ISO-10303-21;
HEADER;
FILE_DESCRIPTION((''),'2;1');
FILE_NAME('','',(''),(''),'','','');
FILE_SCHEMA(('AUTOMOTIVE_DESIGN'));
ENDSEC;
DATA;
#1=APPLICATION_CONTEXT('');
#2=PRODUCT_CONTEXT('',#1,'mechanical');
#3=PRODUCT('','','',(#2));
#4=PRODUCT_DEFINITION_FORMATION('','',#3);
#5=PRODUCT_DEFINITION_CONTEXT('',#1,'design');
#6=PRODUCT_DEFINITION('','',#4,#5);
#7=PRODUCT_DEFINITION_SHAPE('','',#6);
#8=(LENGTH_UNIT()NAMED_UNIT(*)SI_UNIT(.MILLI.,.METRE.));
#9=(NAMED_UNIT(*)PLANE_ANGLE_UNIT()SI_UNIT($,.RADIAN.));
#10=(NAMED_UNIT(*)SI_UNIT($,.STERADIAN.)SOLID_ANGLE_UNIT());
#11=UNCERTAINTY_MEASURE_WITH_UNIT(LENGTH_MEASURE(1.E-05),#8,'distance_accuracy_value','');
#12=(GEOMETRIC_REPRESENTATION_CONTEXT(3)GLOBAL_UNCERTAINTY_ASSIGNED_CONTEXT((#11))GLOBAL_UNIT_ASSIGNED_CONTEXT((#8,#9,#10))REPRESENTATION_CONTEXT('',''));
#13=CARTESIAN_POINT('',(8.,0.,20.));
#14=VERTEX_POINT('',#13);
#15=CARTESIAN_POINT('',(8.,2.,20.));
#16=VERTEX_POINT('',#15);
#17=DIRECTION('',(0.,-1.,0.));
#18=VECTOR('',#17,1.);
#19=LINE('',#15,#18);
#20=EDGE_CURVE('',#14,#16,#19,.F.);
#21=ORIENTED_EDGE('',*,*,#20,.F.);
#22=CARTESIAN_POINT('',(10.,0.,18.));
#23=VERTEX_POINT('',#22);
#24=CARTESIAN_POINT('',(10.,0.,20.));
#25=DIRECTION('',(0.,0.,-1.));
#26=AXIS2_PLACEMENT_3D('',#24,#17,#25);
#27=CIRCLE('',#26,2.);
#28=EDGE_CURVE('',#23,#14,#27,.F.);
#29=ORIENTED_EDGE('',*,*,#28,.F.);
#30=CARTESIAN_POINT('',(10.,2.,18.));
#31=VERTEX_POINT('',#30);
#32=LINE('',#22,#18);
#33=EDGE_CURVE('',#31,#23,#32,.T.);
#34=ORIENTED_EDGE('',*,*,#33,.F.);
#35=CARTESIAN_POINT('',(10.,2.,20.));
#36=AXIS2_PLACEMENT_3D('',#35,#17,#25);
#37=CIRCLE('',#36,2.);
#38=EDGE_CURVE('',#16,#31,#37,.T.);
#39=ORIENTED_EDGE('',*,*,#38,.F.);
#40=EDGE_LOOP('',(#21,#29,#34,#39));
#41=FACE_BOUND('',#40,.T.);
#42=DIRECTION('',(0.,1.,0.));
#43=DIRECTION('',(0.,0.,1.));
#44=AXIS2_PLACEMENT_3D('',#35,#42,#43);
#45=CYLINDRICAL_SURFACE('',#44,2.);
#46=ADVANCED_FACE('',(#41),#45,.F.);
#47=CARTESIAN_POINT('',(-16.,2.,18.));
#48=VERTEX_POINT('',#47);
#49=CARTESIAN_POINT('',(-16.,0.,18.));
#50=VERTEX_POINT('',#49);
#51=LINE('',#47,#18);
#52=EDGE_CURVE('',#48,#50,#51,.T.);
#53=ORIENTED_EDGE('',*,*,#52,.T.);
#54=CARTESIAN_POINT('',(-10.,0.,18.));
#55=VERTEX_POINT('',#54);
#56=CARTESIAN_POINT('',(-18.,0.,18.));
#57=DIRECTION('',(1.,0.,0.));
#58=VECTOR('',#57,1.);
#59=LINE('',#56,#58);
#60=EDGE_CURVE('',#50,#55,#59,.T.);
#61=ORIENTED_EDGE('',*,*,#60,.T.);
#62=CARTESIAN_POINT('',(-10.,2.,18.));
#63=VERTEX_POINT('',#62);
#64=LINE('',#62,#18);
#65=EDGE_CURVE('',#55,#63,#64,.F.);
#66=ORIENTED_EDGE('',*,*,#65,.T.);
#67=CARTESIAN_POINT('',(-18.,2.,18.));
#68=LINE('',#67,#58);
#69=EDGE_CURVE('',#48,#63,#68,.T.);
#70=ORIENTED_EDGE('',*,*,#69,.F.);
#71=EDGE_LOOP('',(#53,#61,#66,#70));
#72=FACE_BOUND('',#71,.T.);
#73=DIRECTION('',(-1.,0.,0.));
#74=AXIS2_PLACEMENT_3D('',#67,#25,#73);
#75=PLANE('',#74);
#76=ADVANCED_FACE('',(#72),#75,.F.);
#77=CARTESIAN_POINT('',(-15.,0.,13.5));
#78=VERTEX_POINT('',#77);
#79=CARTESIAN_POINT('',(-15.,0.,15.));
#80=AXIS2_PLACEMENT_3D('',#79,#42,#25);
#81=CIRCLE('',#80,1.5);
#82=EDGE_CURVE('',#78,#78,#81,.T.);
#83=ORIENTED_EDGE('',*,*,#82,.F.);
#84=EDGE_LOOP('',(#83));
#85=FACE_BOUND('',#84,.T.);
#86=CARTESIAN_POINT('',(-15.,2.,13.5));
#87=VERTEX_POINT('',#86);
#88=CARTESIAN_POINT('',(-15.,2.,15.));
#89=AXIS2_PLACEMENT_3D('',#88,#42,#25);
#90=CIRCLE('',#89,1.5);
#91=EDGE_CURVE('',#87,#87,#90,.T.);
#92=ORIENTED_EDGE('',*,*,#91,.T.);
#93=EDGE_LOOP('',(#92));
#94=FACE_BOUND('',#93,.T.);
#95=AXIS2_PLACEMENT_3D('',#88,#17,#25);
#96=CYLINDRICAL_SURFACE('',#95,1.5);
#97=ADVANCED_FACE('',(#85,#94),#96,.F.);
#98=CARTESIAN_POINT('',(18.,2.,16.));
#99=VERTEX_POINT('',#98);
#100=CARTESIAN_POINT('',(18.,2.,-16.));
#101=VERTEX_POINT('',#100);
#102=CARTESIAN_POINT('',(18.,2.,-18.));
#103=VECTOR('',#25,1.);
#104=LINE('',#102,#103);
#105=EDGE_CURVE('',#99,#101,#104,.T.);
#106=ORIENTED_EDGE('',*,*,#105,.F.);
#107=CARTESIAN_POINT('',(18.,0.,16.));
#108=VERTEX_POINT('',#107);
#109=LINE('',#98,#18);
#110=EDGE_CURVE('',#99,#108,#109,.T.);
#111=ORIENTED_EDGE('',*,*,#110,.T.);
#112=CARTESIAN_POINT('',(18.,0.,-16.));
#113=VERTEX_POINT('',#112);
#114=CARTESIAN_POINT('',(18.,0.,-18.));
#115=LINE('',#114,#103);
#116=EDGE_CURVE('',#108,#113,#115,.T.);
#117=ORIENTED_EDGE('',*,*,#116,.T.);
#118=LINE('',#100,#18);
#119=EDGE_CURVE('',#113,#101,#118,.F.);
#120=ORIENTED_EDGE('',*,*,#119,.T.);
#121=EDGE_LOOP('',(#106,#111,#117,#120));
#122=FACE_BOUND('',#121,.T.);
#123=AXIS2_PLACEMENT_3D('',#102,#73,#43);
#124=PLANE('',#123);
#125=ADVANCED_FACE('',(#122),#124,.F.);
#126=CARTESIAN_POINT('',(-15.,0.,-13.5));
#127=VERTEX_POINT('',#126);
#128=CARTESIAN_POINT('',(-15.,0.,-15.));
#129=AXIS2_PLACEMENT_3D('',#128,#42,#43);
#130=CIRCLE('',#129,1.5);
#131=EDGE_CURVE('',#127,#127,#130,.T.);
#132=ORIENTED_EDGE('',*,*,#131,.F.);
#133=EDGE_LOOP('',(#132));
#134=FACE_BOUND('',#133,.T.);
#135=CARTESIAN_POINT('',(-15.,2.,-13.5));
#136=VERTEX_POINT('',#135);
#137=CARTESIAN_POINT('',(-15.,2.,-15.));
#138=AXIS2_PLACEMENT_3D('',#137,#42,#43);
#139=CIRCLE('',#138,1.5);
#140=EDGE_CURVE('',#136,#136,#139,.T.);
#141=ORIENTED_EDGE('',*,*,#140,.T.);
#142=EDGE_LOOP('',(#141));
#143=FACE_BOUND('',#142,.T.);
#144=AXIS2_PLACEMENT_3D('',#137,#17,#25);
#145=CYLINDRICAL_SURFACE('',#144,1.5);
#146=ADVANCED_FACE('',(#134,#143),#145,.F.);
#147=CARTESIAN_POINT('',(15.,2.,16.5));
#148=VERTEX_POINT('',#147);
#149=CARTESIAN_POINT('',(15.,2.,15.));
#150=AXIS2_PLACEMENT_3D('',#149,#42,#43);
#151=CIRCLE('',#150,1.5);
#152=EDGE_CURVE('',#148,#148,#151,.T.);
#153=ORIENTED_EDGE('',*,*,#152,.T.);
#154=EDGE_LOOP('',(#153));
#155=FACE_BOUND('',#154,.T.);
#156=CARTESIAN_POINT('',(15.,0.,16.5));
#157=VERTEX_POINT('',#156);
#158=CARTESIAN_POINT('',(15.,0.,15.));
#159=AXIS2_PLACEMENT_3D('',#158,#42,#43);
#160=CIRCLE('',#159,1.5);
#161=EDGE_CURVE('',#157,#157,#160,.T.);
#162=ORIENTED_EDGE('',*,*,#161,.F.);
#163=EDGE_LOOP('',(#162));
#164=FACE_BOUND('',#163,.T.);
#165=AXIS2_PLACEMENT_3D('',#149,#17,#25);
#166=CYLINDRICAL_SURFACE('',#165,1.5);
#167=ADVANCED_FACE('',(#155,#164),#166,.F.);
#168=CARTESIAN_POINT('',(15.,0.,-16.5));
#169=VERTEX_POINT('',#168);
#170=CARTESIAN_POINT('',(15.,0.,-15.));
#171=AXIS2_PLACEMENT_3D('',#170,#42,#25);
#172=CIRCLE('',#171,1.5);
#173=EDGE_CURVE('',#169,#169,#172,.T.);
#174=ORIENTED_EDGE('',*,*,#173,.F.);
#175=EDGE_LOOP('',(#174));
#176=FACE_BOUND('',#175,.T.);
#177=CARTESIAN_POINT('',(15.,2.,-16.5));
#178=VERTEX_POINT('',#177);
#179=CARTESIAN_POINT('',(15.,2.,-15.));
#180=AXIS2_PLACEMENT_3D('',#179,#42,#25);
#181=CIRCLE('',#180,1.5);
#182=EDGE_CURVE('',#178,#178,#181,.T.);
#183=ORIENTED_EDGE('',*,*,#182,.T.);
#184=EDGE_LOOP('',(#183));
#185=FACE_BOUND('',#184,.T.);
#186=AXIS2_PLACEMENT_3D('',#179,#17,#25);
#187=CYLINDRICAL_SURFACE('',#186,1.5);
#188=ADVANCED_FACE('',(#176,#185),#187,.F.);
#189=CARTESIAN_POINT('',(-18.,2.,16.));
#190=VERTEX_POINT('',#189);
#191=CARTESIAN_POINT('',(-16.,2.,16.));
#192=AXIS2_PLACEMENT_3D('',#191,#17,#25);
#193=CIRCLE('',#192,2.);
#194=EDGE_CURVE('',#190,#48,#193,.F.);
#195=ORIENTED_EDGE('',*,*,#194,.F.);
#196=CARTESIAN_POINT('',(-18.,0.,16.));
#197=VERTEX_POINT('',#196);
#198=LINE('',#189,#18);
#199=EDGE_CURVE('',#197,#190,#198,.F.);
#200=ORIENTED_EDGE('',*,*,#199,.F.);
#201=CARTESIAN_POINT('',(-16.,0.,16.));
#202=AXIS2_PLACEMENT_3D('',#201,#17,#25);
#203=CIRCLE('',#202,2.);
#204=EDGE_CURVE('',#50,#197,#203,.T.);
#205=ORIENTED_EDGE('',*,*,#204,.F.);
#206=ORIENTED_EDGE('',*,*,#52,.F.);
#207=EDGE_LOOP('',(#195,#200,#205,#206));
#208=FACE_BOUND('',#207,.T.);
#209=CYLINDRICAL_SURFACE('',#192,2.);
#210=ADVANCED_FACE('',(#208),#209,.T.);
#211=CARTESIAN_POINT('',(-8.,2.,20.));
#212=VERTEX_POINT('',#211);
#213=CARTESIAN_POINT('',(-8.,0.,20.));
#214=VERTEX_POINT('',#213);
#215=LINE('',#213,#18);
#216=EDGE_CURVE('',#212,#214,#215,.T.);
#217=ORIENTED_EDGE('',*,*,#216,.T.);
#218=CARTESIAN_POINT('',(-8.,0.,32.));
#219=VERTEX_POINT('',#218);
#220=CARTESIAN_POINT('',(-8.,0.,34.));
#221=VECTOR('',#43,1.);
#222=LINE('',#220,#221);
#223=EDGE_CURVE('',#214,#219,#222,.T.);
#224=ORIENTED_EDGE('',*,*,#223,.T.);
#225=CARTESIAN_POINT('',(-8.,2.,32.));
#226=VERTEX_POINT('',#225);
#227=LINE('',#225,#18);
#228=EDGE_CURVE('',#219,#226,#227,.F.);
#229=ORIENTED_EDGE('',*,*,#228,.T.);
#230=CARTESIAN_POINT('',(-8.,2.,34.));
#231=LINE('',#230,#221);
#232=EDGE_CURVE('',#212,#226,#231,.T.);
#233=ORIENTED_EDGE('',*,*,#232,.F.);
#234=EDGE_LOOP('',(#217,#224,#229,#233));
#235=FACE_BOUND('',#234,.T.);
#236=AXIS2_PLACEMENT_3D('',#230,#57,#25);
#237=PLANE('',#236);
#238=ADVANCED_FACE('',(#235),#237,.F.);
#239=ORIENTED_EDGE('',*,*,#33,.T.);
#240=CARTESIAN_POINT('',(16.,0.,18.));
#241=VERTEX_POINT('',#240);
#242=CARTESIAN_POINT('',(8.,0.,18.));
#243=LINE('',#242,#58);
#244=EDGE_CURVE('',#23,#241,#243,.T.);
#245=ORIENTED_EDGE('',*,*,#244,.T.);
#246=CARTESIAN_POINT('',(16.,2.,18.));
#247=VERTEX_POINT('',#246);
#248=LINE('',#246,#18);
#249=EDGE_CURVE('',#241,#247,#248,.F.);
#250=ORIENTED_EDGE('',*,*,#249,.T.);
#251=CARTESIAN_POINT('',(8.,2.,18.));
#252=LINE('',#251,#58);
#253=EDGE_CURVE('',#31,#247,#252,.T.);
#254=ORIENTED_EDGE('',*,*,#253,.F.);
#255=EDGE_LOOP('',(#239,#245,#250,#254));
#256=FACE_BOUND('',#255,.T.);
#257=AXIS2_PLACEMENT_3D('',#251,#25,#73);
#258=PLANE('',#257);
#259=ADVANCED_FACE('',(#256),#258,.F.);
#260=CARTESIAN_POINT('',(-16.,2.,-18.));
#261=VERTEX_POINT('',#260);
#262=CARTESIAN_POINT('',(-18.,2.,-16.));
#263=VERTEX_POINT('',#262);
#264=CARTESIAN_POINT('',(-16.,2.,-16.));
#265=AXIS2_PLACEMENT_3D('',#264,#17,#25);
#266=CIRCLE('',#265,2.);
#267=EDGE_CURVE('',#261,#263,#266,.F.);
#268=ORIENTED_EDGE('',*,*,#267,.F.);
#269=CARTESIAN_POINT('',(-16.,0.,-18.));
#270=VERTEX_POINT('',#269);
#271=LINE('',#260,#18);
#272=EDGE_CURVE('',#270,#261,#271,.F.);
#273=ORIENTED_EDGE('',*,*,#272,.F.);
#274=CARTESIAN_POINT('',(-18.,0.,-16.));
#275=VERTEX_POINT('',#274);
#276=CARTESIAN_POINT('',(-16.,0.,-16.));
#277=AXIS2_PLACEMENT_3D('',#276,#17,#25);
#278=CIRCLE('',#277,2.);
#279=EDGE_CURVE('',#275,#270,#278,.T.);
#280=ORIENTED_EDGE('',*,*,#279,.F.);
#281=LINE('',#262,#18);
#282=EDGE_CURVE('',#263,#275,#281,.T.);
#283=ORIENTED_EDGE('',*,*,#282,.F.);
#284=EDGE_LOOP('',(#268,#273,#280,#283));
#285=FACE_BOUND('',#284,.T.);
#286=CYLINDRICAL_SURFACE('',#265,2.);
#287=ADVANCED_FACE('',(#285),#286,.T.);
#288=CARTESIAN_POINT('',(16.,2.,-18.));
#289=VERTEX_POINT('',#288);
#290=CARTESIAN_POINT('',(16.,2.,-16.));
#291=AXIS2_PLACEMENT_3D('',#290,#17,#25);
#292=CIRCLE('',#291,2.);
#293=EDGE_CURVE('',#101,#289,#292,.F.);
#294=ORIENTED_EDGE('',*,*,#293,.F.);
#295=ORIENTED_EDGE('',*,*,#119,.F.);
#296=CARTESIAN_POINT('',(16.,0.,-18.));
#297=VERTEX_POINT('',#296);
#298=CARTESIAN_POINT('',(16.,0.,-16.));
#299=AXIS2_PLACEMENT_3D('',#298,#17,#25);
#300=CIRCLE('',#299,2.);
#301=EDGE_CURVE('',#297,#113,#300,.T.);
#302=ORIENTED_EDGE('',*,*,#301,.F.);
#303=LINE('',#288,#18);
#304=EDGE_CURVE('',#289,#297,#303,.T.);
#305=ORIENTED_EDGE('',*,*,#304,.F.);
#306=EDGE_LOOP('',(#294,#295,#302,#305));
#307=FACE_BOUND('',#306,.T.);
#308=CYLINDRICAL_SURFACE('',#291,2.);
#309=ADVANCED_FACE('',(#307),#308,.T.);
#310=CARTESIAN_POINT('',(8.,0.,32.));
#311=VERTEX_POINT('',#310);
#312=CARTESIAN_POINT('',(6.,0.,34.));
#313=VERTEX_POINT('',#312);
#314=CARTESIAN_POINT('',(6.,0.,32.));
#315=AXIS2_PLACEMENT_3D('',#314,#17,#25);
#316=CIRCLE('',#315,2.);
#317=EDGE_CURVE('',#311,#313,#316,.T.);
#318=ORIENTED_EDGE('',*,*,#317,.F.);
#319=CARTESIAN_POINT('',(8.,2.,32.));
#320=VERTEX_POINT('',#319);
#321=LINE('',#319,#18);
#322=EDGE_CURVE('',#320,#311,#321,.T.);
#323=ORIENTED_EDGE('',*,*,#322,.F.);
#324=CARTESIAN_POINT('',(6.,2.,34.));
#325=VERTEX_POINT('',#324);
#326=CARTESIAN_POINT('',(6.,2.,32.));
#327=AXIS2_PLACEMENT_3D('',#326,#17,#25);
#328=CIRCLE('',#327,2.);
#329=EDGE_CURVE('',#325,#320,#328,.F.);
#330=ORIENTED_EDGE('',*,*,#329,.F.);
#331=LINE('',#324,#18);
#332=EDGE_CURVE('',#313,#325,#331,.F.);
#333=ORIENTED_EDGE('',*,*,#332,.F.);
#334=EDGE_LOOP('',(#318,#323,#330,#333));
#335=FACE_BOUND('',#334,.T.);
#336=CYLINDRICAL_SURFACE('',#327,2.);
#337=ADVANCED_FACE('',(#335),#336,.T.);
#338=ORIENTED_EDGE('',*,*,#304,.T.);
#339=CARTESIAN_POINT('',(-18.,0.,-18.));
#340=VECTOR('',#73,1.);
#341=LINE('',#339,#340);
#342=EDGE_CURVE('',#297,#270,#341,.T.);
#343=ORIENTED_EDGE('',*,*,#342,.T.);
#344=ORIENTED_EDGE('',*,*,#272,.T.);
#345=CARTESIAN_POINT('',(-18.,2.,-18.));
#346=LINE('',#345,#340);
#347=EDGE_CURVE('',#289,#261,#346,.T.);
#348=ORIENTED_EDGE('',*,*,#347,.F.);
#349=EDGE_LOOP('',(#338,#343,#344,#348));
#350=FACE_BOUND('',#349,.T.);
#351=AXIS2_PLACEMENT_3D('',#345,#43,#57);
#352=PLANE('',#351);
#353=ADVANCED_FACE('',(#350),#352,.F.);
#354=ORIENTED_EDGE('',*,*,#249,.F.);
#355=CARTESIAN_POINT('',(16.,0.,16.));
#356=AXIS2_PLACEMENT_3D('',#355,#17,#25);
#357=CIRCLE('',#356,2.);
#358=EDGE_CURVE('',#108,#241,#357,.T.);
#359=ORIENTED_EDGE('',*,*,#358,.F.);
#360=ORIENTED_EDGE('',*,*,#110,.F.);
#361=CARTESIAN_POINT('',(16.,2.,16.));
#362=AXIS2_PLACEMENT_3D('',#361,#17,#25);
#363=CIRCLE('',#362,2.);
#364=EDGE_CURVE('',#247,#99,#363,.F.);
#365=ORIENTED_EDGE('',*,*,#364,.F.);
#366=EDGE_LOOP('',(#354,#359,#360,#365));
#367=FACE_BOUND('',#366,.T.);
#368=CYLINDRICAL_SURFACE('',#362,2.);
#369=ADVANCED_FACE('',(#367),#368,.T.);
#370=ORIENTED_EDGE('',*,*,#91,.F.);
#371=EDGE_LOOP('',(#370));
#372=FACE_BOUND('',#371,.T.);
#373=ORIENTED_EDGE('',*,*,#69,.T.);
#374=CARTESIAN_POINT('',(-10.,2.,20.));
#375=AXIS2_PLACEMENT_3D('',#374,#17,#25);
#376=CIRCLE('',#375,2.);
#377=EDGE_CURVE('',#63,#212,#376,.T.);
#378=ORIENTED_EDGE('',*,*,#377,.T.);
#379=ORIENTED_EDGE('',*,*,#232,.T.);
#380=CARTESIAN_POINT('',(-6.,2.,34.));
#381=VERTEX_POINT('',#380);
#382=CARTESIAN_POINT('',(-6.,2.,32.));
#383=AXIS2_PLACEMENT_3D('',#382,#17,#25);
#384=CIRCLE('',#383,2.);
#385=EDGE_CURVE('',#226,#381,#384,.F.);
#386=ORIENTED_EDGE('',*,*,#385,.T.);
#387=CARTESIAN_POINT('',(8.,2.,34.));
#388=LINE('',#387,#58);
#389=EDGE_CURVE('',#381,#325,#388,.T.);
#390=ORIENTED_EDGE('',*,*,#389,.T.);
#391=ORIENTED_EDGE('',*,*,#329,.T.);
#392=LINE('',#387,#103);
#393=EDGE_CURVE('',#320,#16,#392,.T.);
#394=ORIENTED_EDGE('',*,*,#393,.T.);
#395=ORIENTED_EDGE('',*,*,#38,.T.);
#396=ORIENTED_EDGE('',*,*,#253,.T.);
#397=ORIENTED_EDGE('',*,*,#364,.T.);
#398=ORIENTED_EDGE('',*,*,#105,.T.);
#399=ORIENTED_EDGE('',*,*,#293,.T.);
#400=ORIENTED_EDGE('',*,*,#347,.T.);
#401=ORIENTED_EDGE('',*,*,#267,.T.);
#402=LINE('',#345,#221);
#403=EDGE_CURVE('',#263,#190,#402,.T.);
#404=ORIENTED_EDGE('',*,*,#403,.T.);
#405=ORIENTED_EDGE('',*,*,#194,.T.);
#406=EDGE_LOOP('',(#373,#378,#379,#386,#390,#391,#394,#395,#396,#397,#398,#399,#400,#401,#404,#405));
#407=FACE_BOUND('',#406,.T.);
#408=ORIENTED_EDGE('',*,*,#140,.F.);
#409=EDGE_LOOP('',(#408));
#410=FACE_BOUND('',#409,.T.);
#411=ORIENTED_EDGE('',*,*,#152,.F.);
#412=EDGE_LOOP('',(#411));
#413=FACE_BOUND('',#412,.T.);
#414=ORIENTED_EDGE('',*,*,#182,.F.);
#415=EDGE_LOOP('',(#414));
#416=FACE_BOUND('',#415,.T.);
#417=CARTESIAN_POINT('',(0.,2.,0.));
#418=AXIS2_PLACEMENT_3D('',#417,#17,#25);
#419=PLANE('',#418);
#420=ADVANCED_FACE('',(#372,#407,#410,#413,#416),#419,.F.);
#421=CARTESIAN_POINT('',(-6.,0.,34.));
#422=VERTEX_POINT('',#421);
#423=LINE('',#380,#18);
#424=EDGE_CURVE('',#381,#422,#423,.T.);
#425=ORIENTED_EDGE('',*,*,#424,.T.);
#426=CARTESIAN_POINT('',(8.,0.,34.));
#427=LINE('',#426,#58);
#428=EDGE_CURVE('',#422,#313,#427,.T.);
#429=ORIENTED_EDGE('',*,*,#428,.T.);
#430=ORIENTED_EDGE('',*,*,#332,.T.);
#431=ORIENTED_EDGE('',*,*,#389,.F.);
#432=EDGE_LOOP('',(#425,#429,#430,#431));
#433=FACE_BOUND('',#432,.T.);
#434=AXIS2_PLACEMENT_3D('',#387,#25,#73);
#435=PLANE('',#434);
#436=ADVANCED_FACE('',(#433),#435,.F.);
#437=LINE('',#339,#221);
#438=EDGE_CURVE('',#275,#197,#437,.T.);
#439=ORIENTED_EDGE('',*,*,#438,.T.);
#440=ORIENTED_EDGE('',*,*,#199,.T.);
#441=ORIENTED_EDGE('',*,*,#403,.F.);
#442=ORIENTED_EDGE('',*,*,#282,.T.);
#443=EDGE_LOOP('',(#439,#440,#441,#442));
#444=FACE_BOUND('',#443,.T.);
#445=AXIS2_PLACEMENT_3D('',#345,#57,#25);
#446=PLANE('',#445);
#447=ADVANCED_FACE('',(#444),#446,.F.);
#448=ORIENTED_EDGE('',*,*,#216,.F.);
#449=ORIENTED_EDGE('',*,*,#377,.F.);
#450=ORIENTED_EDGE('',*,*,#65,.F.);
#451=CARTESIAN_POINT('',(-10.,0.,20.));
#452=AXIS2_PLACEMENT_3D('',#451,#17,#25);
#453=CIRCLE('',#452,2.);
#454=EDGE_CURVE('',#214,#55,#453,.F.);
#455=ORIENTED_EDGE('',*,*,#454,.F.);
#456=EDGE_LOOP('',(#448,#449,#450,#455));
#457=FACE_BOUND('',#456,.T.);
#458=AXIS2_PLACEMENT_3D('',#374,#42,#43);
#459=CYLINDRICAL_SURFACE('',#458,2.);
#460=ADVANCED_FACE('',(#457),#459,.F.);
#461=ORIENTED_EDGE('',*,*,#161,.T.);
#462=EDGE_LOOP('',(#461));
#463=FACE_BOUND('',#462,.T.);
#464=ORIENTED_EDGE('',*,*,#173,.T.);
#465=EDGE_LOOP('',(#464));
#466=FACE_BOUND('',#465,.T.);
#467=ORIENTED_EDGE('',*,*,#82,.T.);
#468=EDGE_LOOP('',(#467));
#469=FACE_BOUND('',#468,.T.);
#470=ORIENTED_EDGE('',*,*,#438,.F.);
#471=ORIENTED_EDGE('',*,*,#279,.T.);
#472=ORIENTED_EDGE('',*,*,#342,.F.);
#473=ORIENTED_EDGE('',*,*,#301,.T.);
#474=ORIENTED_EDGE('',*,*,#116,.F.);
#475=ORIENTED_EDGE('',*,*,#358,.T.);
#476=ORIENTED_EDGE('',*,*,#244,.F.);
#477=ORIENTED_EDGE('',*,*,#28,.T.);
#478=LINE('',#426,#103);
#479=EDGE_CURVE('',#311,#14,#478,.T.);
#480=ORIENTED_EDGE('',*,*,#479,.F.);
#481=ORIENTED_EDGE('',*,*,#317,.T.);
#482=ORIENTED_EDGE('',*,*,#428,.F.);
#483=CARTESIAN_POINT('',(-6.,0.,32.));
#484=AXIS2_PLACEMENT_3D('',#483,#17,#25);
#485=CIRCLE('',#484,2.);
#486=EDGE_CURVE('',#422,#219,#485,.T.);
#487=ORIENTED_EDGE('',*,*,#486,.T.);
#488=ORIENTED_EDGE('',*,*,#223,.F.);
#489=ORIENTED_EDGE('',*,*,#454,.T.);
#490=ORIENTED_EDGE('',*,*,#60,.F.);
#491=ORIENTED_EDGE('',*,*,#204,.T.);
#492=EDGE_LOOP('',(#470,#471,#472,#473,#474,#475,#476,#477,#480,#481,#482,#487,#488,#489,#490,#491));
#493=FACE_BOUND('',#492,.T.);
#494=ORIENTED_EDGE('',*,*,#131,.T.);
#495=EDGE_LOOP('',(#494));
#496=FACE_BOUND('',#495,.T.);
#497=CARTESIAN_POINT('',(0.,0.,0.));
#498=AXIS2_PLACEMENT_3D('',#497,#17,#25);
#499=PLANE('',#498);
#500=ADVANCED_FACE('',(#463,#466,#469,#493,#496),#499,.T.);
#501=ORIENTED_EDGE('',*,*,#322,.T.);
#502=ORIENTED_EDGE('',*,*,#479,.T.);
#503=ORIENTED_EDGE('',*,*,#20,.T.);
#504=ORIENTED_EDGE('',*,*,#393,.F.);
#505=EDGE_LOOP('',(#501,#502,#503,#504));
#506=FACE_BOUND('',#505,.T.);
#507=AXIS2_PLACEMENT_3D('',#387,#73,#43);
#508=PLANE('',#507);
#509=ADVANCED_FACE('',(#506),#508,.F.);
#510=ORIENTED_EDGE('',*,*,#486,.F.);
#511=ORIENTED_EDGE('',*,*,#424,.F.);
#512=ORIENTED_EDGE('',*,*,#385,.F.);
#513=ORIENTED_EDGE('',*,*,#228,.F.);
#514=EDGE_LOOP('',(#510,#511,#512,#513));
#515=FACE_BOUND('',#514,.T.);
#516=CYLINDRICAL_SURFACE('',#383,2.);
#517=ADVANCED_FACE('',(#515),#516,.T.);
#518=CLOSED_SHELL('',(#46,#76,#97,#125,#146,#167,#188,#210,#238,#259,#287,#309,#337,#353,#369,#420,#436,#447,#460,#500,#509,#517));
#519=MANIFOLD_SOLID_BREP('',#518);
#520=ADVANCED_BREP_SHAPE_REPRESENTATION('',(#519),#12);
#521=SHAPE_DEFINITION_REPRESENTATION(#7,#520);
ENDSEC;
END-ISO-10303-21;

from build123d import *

# Parameters (mm, degrees)
SKETCH1_R           = 1.5
BOSS_EXTRUDE1_DEPTH = 2
FILLET1_R           = 2


with BuildPart() as part:
    # Sketch1 → Boss-Extrude1 (new body)
    with BuildSketch(Plane(origin=(0, 0, 0), x_dir=(1, 0, 0), z_dir=(0, 1, 0))):
        Polygon((-18, 18), (18, 18), (18, -18), (8, -18), (8, -34), (-8, -34), (-8, -18), (-18, -18), align=None)
        with Locations(Location((-15, 15, 0), (0, 0, 270))):
            Circle(SKETCH1_R, mode=Mode.SUBTRACT)
        with Locations(Location((15, 15, 0), (0, 0, 90))):
            Circle(SKETCH1_R, mode=Mode.SUBTRACT)
        with Locations(Location((15, -15, 0), (0, 0, 270))):
            Circle(SKETCH1_R, mode=Mode.SUBTRACT)
        with Locations(Location((-15, -15, 0), (0, 0, 90))):
            Circle(SKETCH1_R, mode=Mode.SUBTRACT)
    extrude(amount=BOSS_EXTRUDE1_DEPTH)

    # Fillet1
    fillet1_edges = [part.edges().sort_by_distance(p)[0] for p in [
        (8, 1, 18),
        (8, 1, 34),
        (-8, 1, 34),
        (-8, 1, 18),
        (-18, 1, 18),
        (-18, 1, -18),
        (18, 1, -18),
        (18, 1, 18),
    ]]
    fillet(fillet1_edges, radius=FILLET1_R)


solid = part.part
